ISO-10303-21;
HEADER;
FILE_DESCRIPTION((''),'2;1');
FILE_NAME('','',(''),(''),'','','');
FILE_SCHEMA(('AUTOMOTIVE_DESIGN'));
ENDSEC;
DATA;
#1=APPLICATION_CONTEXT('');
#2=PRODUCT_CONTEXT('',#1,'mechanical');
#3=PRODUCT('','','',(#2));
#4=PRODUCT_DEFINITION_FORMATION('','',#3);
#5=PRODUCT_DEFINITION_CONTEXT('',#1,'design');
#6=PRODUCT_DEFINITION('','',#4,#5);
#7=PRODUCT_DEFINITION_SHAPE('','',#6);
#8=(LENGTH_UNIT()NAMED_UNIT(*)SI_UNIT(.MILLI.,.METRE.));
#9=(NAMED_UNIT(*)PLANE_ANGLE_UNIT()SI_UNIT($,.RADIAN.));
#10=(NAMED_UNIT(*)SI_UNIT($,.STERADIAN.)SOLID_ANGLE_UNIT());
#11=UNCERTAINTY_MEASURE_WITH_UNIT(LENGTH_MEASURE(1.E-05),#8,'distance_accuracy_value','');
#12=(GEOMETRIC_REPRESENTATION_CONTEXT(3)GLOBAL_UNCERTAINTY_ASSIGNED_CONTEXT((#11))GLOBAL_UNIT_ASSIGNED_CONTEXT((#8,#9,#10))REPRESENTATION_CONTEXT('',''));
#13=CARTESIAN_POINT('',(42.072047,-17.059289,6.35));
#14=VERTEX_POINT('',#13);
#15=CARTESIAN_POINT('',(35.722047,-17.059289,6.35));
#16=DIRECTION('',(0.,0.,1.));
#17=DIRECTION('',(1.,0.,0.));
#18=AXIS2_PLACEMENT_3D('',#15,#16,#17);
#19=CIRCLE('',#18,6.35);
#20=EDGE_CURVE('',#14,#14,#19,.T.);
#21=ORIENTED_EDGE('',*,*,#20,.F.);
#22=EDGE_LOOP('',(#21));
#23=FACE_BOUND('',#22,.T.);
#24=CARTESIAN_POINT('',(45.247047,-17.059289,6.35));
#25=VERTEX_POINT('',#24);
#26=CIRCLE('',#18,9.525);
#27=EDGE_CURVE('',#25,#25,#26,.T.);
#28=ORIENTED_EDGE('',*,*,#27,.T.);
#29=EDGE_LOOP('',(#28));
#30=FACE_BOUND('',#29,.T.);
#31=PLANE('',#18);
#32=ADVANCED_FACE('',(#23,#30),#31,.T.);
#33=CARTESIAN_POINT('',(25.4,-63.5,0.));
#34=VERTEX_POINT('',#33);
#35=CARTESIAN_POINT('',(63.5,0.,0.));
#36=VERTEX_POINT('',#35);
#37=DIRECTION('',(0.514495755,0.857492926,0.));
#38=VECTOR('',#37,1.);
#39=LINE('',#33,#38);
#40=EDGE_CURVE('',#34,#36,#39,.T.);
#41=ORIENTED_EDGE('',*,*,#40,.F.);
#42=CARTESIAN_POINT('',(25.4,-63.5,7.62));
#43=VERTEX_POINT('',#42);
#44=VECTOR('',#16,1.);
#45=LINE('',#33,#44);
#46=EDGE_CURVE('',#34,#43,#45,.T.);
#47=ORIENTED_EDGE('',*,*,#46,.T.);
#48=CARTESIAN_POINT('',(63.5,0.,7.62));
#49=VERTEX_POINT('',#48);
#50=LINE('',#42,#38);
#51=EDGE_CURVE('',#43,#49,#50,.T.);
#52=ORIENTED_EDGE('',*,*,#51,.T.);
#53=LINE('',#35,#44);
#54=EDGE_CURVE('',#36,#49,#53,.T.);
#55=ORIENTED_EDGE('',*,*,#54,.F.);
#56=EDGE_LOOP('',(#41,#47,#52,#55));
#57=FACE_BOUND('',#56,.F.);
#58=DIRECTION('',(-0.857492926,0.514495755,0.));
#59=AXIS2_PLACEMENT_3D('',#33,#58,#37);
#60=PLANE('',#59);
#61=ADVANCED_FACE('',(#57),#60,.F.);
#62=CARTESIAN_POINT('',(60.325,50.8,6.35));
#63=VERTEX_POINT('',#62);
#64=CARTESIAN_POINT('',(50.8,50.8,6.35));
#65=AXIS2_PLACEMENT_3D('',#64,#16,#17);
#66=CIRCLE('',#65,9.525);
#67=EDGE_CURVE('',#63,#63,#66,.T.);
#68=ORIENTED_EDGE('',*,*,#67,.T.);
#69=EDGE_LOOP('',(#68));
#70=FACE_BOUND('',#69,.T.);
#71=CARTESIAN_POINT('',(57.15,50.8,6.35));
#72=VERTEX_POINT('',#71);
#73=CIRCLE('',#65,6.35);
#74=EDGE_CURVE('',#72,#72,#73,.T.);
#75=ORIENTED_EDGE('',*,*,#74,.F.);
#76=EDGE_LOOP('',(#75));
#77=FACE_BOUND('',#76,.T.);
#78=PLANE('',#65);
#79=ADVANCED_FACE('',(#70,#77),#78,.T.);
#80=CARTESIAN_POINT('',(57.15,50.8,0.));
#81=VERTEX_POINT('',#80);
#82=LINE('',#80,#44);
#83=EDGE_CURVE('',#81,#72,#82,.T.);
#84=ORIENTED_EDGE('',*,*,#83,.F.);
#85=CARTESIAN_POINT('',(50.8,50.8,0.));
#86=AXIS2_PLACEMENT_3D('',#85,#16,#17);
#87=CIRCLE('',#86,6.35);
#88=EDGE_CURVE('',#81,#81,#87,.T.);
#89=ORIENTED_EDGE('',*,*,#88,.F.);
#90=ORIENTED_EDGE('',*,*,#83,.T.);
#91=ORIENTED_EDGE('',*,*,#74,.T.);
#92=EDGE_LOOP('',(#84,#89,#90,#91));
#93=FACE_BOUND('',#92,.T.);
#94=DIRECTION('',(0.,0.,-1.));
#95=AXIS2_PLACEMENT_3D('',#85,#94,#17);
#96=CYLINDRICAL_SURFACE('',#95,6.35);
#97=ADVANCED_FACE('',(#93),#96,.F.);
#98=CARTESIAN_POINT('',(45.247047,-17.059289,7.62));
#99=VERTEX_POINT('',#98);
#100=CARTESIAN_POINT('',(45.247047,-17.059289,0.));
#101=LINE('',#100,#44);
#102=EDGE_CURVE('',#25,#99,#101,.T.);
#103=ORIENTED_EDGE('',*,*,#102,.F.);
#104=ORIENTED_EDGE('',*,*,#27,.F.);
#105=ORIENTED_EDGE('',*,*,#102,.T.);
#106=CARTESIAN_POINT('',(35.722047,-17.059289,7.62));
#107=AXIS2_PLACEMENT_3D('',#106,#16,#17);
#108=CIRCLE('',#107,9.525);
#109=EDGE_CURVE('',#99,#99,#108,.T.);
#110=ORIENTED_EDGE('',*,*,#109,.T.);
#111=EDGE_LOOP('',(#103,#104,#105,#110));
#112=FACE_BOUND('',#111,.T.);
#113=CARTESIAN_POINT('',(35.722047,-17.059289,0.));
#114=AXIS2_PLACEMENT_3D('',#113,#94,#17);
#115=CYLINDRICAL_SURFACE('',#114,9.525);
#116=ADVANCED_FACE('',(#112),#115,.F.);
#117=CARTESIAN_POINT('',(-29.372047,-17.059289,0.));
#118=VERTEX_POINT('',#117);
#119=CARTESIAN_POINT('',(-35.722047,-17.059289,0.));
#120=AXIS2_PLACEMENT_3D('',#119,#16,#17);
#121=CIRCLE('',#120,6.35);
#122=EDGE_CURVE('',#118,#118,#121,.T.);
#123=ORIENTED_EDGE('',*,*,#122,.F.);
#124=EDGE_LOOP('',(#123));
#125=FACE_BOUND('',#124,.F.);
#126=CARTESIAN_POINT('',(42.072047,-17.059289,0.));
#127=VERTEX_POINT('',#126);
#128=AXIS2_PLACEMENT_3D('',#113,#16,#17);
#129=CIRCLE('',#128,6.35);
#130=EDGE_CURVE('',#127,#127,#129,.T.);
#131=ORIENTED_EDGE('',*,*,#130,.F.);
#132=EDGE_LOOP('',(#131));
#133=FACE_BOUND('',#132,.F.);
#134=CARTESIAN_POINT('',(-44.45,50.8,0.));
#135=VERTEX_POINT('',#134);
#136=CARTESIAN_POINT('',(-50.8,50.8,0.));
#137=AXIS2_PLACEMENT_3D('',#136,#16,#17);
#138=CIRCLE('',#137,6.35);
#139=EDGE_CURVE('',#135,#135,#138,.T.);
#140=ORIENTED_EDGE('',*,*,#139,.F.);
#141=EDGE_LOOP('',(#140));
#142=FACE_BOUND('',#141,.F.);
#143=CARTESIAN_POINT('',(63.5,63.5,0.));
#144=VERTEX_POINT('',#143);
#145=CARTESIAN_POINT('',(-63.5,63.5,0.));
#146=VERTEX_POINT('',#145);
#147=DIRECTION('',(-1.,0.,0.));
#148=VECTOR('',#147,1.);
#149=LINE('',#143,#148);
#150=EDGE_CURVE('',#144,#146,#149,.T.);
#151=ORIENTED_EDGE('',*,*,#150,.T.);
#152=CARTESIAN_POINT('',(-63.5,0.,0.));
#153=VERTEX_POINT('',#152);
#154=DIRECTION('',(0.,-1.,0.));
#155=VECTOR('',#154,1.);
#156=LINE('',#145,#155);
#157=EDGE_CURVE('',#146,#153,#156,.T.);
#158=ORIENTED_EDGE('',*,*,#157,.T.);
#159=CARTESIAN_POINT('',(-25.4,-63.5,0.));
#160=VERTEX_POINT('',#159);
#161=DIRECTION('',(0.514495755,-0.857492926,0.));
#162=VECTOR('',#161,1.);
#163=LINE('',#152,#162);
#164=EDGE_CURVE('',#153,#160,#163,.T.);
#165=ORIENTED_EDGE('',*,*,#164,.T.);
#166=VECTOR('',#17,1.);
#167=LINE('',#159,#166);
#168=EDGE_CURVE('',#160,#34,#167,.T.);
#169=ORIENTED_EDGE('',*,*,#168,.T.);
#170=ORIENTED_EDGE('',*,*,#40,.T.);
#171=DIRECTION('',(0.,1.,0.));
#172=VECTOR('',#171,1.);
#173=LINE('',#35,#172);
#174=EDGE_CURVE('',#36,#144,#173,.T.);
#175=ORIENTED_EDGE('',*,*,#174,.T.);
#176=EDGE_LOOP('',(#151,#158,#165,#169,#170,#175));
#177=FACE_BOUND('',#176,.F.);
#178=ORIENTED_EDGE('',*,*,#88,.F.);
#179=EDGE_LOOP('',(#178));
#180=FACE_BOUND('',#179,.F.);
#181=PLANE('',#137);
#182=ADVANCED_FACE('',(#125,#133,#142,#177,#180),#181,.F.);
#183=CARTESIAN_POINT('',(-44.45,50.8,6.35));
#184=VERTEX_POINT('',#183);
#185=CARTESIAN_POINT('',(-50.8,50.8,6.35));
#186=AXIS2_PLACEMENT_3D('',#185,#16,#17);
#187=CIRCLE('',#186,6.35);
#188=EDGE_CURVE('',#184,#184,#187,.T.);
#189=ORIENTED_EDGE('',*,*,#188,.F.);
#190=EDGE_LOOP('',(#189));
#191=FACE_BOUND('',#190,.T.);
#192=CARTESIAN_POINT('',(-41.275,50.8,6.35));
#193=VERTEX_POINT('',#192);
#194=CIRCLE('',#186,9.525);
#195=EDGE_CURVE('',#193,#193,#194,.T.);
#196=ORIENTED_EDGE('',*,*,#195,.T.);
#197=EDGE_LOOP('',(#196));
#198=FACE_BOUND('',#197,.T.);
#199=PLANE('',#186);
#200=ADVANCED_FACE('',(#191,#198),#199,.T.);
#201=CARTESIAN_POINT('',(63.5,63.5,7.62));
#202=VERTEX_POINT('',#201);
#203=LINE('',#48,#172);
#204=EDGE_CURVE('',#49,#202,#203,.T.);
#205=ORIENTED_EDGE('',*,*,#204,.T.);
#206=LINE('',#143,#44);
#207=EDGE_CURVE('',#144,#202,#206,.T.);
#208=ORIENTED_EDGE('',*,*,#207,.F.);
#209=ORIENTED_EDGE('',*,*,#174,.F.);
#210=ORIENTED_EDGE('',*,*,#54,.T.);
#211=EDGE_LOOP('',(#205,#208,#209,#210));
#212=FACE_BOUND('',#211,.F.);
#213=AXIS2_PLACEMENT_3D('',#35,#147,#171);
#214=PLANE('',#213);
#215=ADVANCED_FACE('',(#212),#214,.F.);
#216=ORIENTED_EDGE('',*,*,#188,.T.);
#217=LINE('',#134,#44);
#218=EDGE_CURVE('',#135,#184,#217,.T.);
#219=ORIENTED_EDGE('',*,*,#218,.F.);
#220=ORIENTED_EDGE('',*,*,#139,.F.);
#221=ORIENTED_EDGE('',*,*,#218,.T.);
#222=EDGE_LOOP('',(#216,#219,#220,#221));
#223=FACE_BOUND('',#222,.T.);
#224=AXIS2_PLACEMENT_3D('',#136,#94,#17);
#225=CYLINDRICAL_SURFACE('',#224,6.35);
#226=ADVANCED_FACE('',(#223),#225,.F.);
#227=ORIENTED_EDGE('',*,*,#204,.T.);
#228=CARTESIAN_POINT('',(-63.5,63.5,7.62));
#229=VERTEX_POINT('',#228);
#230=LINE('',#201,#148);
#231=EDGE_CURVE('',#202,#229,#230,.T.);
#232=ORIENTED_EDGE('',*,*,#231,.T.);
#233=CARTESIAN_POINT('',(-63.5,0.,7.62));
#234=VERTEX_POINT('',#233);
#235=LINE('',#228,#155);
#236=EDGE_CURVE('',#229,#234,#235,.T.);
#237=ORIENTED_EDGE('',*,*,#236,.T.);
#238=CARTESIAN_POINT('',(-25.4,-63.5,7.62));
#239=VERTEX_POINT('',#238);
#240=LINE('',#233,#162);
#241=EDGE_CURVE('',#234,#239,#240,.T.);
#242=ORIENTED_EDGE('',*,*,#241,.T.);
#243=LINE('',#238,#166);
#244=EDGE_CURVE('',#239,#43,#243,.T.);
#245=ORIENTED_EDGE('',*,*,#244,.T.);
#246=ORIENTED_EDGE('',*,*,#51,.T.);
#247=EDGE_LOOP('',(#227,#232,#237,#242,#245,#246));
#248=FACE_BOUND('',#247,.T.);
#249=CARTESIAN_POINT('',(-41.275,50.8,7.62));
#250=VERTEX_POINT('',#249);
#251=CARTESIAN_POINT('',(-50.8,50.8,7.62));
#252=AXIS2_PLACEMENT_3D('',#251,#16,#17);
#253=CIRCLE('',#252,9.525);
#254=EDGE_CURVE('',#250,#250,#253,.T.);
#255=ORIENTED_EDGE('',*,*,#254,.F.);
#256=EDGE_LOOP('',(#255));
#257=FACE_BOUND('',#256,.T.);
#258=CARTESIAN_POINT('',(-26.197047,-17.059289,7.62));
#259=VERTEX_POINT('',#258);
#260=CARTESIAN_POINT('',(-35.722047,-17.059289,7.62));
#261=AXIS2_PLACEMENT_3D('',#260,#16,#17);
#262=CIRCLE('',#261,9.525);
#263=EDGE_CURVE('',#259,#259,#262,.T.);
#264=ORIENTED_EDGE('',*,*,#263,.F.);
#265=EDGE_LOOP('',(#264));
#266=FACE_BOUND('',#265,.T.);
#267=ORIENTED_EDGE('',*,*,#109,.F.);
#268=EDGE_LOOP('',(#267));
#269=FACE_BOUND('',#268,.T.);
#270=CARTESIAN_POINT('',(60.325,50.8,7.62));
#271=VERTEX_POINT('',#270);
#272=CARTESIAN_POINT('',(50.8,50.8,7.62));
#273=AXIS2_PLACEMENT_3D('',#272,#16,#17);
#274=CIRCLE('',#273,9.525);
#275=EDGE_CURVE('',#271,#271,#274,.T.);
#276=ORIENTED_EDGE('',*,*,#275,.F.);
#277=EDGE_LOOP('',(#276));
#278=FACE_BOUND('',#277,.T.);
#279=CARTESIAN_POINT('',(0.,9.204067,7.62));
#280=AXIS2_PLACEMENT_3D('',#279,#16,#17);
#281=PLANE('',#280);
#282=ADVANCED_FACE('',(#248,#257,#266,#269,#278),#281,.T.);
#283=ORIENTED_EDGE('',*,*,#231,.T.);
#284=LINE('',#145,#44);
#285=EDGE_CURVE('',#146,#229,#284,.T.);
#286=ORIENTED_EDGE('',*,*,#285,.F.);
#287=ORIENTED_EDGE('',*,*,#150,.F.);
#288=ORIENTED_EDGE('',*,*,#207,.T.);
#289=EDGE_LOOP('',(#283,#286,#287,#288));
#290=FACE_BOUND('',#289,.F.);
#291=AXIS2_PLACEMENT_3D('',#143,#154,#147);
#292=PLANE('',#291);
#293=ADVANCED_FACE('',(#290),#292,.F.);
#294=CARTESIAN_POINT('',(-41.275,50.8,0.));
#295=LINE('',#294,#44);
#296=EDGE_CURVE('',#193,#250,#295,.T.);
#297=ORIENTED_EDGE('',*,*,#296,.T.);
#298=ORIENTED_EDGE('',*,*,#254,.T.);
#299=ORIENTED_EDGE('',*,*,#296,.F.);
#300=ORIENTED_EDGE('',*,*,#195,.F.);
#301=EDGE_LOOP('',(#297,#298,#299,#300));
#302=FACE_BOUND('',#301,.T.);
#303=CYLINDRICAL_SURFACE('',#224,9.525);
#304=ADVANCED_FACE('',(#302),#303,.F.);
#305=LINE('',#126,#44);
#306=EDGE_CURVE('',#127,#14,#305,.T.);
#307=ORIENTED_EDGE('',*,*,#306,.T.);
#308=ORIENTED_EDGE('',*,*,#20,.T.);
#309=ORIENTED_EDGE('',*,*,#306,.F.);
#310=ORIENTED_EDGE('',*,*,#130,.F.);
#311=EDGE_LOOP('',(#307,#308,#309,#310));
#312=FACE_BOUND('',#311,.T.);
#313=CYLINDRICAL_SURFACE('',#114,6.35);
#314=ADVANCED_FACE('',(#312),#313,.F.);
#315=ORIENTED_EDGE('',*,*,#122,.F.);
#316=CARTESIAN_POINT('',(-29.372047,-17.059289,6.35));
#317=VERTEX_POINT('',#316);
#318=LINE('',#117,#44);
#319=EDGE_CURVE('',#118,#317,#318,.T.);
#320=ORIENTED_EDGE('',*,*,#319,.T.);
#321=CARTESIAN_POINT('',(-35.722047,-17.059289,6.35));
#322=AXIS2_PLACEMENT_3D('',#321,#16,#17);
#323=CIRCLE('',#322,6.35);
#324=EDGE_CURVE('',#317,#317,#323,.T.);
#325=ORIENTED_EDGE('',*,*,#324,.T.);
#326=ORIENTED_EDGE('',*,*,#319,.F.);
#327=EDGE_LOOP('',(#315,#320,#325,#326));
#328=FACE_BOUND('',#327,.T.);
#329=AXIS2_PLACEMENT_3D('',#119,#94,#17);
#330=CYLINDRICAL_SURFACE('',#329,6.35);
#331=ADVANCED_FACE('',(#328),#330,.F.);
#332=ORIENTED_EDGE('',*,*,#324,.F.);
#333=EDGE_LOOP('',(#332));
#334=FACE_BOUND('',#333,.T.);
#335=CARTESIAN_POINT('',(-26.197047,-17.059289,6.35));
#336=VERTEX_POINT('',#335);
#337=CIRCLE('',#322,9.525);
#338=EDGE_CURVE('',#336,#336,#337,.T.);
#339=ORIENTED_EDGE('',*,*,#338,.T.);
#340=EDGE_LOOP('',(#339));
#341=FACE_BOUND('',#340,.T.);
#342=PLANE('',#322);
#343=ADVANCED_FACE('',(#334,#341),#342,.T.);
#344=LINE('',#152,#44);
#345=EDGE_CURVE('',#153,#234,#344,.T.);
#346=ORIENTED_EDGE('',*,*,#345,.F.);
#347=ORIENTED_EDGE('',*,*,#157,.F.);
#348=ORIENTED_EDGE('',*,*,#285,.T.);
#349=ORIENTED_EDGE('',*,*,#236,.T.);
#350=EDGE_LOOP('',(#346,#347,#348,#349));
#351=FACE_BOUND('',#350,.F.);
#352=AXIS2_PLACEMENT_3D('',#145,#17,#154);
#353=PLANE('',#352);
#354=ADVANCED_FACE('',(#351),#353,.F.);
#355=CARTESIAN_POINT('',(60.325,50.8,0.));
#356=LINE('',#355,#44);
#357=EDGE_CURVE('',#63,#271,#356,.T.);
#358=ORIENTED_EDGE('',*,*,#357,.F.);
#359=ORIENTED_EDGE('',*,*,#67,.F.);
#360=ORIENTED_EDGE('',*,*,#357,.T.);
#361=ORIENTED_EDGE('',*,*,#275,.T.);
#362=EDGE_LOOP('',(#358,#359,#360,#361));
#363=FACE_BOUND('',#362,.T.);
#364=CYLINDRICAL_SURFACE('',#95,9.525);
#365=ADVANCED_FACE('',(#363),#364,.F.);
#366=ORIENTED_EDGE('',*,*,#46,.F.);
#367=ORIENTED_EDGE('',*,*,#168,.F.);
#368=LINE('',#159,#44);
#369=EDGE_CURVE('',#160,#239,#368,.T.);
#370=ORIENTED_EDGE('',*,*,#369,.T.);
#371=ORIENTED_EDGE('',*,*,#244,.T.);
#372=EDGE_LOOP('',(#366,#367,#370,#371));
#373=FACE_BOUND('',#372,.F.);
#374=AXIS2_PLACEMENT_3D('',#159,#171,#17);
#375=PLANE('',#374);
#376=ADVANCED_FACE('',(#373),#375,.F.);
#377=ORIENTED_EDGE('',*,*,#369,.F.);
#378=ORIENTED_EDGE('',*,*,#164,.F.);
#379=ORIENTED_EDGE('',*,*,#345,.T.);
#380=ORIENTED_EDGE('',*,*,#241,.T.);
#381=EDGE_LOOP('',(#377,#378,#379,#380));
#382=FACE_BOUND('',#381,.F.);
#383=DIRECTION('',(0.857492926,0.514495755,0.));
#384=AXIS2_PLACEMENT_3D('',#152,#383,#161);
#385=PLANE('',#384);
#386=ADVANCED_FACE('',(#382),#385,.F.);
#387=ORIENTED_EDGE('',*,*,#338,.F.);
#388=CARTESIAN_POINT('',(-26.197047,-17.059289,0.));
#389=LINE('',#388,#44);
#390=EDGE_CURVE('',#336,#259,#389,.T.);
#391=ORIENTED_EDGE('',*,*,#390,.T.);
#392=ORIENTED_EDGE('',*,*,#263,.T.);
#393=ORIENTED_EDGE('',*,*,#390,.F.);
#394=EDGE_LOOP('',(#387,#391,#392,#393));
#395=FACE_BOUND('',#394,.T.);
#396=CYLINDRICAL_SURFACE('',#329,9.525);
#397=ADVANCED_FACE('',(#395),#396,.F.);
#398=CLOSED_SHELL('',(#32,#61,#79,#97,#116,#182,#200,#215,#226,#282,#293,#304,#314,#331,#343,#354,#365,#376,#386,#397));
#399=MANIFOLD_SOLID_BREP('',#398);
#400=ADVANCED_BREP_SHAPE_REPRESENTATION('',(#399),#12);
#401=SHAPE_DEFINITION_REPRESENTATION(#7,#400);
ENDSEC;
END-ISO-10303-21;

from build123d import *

# Parameters (mm, degrees)
F0_R     = 9.525
F2_DEPTH = 7.62
F0_R_2   = 6.35
F3_DEPTH = 6.35


with BuildPart() as f2:
    # F0 (on Top) → F2 (new body)
    with BuildSketch(Plane.XY):
        Polygon((-63.5, 0), (-25.4, -63.5), (25.4, -63.5), (63.5, 0), (63.5, 63.5), (-63.5, 63.5), align=None)
        with Locations((-35.722047, -17.059289)):
            Circle(F0_R, mode=Mode.SUBTRACT)
        with Locations((35.722047, -17.059289)):
            Circle(F0_R, mode=Mode.SUBTRACT)
        with Locations((-50.8, 50.8)):
            Circle(F0_R, mode=Mode.SUBTRACT)
        with Locations((50.8, 50.8)):
            Circle(F0_R, mode=Mode.SUBTRACT)
    extrude(amount=F2_DEPTH)

    # F0 (on Top) → F3 (join)
    with BuildSketch(Plane.XY):
        with Locations((-50.8, 50.8)):
            Circle(F0_R)
        with Locations((-50.8, 50.8)):
            Circle(F0_R_2, mode=Mode.SUBTRACT)
        with Locations((50.8, 50.8)):
            Circle(F0_R)
        with Locations((50.8, 50.8)):
            Circle(F0_R_2, mode=Mode.SUBTRACT)
        with Locations((35.722047, -17.059289)):
            Circle(F0_R)
        with Locations((35.722047, -17.059289)):
            Circle(F0_R_2, mode=Mode.SUBTRACT)
        with Locations((-35.722047, -17.059289)):
            Circle(F0_R)
        with Locations((-35.722047, -17.059289)):
            Circle(F0_R_2, mode=Mode.SUBTRACT)
    extrude(amount=F3_DEPTH)


solid = f2.part
